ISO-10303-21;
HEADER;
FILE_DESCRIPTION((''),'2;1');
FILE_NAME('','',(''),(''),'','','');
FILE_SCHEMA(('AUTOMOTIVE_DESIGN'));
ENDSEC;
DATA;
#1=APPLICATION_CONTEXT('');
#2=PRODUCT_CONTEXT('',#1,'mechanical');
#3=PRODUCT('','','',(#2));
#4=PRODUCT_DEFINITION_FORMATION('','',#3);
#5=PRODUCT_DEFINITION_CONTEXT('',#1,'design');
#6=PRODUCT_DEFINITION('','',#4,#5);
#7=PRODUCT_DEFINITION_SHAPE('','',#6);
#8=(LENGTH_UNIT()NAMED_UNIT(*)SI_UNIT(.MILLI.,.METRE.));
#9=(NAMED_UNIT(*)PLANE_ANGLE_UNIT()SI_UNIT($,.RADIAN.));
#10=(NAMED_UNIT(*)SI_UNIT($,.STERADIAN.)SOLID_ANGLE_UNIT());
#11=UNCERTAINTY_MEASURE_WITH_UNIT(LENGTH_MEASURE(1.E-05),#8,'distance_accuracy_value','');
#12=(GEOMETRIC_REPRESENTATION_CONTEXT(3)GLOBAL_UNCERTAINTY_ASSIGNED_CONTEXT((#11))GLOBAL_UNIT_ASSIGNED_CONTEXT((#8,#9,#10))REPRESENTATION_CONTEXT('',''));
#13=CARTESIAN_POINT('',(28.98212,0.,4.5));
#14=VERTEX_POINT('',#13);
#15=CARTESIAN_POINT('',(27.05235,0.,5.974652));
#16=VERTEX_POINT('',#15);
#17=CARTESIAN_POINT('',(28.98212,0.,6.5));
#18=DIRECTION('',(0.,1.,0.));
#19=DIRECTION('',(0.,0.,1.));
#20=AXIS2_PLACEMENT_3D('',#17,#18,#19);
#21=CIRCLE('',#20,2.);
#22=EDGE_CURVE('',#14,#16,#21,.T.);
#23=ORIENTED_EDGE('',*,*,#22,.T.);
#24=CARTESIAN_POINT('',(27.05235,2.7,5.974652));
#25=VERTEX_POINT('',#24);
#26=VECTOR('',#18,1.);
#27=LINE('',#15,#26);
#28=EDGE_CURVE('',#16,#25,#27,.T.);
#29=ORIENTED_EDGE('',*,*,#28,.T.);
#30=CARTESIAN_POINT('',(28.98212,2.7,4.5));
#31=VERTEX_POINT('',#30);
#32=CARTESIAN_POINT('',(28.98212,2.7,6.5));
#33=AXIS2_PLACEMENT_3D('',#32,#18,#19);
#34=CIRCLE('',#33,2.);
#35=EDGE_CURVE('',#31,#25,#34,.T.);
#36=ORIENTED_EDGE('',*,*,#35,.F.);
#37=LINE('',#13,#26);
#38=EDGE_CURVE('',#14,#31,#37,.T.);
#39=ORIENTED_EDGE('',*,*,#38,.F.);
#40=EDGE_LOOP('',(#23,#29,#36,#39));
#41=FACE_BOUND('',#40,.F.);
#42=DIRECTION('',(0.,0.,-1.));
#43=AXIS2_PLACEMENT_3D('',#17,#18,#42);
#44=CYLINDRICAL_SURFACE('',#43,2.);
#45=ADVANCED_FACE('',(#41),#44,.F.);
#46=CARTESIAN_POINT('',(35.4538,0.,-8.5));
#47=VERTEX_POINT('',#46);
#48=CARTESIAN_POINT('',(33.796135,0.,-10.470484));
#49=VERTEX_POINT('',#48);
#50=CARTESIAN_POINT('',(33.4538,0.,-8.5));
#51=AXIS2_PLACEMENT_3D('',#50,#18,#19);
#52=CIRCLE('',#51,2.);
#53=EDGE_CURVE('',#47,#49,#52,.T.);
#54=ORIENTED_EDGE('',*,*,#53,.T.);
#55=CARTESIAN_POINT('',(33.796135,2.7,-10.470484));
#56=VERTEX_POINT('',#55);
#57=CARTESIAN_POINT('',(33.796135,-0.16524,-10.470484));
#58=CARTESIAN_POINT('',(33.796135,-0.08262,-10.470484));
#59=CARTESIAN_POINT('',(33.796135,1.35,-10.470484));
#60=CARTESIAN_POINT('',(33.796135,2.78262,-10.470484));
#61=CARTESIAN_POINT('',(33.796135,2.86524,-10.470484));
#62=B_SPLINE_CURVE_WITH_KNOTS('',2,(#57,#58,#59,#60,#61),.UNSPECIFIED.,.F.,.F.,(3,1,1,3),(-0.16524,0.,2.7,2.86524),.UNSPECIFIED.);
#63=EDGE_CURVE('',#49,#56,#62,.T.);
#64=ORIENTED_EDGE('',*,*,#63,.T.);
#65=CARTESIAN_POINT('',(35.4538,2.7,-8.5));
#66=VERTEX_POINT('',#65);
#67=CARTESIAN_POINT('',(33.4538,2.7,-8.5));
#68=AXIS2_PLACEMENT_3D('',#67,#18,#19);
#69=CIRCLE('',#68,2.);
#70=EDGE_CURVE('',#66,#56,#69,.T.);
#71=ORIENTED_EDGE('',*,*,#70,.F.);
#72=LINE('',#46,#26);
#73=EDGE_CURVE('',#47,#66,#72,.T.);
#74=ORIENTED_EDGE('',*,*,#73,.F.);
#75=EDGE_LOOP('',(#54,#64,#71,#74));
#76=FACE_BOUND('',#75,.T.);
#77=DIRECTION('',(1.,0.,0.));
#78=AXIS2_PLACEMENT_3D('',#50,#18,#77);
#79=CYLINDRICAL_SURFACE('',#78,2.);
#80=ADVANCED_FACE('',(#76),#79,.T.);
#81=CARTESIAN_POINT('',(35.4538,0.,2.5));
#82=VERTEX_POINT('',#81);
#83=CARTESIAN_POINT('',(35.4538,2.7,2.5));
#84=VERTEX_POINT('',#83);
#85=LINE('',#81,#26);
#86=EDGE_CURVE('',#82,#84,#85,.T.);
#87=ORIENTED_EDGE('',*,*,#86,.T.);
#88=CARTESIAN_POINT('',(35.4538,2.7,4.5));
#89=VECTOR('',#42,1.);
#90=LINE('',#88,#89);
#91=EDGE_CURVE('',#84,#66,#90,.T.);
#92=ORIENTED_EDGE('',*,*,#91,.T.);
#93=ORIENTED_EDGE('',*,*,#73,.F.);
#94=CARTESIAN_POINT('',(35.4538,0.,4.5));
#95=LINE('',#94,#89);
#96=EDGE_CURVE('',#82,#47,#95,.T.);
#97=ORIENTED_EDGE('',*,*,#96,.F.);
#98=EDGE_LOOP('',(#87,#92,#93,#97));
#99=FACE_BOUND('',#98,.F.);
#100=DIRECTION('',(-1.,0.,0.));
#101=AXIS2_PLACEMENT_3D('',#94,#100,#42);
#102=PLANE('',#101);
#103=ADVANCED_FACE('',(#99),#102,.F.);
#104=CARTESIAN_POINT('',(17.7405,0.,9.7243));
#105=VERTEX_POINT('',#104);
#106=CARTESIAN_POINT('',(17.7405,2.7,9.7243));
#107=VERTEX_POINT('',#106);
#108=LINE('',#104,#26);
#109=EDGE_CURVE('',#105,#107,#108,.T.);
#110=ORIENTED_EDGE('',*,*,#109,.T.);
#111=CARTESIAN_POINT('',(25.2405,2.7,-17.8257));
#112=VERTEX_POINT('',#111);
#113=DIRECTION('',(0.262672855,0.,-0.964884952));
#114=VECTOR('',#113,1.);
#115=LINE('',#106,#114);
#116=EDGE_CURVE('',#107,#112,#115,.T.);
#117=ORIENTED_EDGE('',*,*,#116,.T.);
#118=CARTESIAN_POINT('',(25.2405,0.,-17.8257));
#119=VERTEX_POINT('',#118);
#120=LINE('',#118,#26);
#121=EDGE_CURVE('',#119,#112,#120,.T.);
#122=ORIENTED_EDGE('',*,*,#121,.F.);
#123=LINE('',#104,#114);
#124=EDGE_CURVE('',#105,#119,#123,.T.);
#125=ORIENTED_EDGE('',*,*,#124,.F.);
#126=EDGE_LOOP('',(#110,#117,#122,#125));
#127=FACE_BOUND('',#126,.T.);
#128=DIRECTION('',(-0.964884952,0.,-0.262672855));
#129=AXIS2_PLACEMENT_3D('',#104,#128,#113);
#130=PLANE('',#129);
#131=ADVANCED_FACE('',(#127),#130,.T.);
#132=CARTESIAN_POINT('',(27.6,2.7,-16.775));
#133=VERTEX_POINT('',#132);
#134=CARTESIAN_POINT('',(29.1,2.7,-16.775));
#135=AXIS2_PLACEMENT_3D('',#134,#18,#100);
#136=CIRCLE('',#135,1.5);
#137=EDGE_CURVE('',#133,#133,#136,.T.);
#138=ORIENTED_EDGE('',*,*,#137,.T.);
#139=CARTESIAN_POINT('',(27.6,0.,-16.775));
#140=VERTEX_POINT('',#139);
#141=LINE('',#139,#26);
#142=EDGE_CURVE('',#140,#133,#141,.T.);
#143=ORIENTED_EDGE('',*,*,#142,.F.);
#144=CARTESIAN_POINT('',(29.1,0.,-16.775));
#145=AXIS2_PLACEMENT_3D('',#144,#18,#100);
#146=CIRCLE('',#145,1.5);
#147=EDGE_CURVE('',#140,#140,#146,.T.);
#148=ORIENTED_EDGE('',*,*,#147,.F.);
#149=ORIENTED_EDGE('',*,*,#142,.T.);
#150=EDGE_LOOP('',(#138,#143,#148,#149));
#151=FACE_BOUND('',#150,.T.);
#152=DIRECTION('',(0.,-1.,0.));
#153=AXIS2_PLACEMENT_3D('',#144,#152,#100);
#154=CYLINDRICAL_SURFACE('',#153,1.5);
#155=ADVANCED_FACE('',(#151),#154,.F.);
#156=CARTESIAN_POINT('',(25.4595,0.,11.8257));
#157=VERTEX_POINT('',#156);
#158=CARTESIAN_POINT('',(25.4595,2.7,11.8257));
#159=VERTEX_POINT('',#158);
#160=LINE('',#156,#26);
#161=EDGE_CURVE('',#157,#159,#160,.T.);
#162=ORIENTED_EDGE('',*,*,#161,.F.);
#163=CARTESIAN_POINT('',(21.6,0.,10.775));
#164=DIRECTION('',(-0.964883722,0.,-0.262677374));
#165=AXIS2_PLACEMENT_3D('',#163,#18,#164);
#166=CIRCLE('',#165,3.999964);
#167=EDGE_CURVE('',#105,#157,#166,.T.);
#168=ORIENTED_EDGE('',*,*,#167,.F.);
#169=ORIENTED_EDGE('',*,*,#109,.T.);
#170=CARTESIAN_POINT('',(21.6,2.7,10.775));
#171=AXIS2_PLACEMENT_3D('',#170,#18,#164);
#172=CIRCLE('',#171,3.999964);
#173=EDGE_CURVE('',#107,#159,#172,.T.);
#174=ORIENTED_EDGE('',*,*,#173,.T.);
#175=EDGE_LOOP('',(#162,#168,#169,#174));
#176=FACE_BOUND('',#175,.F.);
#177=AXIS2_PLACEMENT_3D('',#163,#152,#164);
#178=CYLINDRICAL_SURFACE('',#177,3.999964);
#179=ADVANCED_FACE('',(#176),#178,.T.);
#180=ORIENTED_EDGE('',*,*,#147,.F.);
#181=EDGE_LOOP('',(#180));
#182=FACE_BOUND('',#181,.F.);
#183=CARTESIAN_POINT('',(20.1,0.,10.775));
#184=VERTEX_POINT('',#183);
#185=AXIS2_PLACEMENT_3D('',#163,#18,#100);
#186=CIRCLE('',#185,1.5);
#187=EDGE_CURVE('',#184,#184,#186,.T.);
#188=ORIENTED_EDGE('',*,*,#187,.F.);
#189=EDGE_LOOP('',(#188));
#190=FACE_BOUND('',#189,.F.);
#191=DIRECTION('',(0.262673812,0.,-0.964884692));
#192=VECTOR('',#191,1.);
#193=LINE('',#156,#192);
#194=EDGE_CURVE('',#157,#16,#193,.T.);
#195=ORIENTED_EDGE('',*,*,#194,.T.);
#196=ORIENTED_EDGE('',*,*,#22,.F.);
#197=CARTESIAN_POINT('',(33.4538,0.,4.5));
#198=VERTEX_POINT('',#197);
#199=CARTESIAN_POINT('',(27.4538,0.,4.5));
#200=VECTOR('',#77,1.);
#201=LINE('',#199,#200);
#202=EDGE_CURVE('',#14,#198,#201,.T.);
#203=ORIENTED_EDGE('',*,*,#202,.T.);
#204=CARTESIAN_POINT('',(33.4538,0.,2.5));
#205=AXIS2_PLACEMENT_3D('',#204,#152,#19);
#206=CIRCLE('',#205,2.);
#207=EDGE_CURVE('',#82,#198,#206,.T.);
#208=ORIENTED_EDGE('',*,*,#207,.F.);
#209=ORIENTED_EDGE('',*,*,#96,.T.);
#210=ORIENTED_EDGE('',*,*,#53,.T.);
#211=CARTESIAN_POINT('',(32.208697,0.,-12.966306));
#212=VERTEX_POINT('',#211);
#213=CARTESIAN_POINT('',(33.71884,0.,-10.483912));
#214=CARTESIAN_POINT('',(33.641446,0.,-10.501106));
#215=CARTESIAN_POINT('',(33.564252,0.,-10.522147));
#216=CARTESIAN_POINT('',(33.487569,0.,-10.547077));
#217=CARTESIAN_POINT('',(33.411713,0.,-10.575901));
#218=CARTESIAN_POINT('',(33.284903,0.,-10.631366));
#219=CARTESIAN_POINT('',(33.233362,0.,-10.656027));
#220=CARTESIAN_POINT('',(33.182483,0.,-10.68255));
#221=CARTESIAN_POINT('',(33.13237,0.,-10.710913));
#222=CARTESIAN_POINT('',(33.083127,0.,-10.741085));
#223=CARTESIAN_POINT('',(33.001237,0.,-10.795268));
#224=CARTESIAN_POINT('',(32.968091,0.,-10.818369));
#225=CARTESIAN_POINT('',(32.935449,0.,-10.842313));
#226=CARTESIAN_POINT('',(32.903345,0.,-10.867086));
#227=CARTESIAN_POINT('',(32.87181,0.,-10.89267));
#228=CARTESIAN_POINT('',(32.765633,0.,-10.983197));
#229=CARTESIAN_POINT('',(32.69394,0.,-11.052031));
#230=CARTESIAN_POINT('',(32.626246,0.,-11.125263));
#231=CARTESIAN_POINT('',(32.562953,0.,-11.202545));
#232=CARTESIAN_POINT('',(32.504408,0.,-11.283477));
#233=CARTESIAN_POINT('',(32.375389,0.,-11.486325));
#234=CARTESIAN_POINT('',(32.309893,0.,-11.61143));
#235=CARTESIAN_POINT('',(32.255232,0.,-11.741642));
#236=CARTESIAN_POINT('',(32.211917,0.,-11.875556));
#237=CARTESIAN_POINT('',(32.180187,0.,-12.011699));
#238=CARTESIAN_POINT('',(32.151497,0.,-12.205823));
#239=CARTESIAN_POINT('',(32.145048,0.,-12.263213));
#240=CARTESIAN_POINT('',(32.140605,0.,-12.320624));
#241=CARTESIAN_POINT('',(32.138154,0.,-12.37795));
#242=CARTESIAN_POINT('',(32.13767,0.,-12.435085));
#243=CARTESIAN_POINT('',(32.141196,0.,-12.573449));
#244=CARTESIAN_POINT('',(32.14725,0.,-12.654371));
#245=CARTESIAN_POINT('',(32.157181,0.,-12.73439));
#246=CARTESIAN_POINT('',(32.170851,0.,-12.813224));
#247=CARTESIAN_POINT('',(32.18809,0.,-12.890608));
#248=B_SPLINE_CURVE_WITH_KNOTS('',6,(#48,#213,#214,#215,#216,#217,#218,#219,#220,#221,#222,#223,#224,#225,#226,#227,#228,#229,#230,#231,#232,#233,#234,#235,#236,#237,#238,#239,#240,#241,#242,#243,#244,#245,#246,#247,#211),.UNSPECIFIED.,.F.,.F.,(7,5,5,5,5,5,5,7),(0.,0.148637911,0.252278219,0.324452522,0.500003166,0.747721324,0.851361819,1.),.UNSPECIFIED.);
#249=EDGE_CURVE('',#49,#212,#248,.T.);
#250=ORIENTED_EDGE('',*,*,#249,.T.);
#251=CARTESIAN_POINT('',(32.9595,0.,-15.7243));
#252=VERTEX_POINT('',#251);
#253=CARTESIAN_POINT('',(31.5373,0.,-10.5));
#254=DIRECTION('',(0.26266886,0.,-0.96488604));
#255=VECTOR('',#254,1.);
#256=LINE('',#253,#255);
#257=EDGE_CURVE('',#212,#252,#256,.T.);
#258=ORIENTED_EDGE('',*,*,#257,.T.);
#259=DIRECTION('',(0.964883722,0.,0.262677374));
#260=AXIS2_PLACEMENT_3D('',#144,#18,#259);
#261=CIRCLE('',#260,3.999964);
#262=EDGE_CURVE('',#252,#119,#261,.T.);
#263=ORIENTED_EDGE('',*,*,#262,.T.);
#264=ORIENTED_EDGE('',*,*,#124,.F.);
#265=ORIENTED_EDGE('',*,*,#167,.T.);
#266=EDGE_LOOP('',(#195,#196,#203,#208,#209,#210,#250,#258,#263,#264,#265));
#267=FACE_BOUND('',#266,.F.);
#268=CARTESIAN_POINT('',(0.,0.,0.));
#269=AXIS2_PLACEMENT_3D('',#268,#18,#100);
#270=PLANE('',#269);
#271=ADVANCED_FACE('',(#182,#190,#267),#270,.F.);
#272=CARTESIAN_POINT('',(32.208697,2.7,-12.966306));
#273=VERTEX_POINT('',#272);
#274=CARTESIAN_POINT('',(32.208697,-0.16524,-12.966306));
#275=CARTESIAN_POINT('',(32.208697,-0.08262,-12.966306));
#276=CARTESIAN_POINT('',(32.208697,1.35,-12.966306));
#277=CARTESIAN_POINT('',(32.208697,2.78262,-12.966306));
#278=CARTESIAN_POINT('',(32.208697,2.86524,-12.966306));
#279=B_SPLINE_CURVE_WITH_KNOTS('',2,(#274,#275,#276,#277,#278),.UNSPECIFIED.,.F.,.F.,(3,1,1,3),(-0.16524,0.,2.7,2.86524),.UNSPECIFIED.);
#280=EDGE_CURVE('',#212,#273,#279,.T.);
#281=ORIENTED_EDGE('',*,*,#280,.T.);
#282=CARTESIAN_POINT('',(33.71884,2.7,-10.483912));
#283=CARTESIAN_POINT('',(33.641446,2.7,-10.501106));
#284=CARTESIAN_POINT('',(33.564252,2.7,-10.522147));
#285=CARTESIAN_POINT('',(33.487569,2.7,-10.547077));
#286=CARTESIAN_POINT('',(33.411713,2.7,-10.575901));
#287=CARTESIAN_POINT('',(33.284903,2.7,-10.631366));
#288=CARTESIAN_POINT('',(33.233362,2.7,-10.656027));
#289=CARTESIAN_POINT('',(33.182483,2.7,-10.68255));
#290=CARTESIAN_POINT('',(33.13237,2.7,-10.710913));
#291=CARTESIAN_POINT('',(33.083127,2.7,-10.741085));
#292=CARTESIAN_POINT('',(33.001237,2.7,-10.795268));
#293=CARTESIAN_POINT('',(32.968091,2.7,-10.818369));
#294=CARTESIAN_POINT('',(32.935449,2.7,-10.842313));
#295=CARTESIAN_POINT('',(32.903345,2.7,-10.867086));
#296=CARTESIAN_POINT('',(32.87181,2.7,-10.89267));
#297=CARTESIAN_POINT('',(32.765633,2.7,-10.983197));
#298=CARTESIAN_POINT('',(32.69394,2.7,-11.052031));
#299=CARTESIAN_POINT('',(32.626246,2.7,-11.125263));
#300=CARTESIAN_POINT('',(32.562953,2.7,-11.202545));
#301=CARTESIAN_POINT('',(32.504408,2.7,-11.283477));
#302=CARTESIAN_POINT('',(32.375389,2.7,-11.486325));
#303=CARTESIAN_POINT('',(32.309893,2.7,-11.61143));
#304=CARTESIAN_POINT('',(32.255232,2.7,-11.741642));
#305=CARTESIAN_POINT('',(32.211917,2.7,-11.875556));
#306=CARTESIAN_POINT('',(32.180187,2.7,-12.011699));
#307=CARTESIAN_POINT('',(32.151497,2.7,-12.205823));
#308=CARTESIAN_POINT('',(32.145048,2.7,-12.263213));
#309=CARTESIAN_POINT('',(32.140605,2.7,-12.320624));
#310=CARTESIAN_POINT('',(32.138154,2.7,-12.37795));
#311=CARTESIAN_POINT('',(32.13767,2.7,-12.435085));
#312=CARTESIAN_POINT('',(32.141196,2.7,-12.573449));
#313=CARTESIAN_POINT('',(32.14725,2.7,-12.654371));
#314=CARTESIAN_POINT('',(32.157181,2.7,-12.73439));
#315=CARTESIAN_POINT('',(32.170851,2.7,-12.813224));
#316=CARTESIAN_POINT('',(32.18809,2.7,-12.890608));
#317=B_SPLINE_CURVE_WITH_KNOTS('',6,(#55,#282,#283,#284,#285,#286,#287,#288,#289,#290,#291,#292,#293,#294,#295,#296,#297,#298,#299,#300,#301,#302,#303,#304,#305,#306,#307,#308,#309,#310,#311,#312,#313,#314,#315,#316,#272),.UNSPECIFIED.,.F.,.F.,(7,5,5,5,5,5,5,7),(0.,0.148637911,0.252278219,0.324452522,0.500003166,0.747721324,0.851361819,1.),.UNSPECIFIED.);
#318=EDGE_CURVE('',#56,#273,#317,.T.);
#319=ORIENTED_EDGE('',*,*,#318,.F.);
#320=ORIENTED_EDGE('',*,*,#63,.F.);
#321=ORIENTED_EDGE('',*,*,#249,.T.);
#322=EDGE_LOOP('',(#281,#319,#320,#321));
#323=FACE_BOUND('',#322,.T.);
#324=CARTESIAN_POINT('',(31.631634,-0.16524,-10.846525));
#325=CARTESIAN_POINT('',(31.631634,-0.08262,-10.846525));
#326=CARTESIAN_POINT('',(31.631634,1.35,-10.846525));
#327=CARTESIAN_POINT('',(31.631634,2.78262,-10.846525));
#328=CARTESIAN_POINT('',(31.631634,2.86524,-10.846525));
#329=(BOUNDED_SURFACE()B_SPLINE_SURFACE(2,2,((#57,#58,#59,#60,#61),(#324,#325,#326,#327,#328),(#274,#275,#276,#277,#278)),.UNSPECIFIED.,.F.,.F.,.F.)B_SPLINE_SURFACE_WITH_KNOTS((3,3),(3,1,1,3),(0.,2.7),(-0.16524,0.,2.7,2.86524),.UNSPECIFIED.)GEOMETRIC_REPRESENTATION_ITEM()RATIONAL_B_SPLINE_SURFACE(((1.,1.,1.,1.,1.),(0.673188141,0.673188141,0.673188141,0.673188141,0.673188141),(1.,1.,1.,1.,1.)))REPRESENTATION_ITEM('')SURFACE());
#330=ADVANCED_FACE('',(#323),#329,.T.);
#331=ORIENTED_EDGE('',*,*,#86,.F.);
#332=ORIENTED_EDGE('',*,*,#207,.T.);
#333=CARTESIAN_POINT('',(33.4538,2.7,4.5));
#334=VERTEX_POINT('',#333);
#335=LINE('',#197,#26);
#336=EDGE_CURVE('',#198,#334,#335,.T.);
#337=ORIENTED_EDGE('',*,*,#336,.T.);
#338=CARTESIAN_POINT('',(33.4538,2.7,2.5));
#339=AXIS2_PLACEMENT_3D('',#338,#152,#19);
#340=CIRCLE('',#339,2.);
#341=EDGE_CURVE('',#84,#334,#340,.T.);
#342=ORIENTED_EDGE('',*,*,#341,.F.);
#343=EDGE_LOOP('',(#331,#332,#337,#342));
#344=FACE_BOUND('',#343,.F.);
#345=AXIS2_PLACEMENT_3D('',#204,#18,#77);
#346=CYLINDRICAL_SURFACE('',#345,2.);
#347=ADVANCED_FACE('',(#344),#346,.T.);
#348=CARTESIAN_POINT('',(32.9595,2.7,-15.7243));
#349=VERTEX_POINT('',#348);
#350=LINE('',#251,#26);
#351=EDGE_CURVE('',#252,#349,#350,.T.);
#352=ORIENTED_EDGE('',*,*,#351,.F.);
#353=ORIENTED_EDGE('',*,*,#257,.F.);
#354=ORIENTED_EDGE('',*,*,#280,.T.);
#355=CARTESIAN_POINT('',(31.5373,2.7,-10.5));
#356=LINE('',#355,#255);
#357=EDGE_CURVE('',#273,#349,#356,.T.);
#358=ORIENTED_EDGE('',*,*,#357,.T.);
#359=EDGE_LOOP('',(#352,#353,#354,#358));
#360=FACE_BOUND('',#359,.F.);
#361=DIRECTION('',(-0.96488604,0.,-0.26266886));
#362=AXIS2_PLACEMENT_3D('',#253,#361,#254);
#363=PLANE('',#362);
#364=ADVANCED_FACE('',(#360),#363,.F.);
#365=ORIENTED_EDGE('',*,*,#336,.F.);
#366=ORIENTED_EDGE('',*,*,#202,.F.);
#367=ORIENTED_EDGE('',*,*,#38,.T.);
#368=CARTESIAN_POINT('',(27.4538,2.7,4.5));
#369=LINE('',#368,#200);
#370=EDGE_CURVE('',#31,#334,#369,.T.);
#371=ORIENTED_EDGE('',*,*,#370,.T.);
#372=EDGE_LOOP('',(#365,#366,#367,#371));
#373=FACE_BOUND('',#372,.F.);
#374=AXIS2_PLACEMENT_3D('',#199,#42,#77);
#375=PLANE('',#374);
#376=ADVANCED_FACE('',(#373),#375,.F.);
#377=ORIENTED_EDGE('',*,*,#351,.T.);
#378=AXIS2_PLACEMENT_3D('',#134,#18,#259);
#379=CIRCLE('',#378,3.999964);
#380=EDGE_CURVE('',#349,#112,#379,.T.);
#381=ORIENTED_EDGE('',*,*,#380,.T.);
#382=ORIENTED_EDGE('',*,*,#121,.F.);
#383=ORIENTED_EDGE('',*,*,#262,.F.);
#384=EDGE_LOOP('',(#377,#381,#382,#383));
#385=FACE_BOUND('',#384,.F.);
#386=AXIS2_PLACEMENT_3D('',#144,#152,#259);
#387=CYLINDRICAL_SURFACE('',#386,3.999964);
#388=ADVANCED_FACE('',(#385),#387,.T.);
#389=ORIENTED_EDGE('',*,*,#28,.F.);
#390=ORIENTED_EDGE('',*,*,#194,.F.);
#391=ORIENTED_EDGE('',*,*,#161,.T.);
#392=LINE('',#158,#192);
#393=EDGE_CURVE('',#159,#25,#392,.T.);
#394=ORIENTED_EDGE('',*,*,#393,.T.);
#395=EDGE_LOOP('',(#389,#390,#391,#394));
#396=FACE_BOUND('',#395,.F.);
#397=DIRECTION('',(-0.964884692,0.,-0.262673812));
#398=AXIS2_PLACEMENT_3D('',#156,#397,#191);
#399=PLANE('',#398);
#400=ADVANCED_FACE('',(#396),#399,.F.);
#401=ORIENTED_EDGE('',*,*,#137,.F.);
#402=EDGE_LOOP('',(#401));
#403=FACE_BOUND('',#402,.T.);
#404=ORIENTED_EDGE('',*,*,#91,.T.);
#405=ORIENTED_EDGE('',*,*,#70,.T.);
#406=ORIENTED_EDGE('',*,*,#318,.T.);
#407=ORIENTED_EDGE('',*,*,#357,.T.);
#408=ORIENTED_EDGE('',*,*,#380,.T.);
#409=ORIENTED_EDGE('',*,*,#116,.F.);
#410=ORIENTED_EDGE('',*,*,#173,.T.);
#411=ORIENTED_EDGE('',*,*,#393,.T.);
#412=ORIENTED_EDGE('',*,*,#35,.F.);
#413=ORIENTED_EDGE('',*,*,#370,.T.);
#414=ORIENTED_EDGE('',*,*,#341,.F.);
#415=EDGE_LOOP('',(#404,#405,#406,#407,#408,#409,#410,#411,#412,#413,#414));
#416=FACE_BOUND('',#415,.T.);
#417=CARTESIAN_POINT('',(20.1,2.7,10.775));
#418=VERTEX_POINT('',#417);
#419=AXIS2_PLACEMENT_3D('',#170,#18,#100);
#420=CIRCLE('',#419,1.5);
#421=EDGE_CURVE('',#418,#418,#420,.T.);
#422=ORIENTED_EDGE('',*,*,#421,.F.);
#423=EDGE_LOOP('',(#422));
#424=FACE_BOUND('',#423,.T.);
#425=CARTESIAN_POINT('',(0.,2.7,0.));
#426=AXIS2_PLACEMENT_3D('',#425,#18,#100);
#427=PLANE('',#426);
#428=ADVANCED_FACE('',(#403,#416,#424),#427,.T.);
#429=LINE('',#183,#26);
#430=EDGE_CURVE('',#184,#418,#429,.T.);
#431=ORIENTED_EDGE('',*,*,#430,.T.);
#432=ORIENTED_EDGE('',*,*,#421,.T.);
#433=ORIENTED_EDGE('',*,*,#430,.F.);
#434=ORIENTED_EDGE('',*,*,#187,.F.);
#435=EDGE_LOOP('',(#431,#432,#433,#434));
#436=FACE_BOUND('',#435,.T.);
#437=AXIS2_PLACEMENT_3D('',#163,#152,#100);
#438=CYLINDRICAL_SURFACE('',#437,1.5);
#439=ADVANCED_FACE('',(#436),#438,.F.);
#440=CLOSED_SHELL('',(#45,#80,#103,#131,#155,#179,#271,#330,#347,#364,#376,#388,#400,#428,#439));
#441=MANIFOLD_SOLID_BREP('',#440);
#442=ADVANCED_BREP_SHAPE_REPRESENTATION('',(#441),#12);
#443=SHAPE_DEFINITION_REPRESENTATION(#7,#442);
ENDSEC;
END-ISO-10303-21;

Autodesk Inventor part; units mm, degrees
ref_plane "YZ Plane" through (0, 0, 0) normal (1, 0, 0) x (0, 1, 0)
ref_plane "XZ Plane" through (0, 0, 0) normal (0, 1, 0) x (-1, 0, 0)
ref_plane "XY Plane" through (0, 0, 0) normal (0, 0, 1) x (1, 0, 0)
sketch "Sketch1" plane through (0, 0, 0) normal (0, 1, 0) x (-1, 0, 0)
  line L0 (0, -3) -> (-10, -3)
  circle A0 centre (-21.6, 10.775) radius 1.5
  line L1 (0, 35) -> (-45, 35)
  line L2 (0, 0) -> (0, 35)
  circle A1 centre (-29.1, -16.775) radius 1.5
  arc A2 (-17.7405, 9.7243) -> (-25.4595, 11.8257) centre (-21.6, 10.775) ccw
  arc A3 (-32.9595, -15.7243) -> (-25.2405, -17.8257) centre (-29.1, -16.775) ccw
  line L3 (-17.7405, 9.7243) -> (-25.2405, -17.8257)
  line L4 (-27.4538, 4.5) -> (-35.4538, 4.5)
  line L5 (-35.4538, 4.5) -> (-35.4538, -10.5)
  line L6 (-35.4538, -10.5) -> (-31.5373, -10.5)
  line L7 (-25.4595, 11.8257) -> (-27.4538, 4.5)
  line L8 (-31.5373, -10.5) -> (-32.9595, -15.7243)
  point P0 (-35.4538, -3)
  dimension "d0" = 10
  dimension "d1" = 3
  dimension "d2" = 13.775
  dimension "d3" = 3
  dimension "d7" = 45
  dimension "d8" = 35
  dimension "d9" = 23.4
  dimension "d10" = 3
  dimension "d11" = 13.775
  dimension "d12" = 15.9
  dimension "d13" = 2.5
  dimension "d14" = 2.5
  dimension "d15" = 15
  dimension "d16" = 8
extrude "Extrusion1" add sketch "Sketch1" along normal blind 2.7
fillet "Fillet1" radius 2 4 edges at (35.4538, 1.35, 4.5) (27.4538, 1.35, 4.5) (35.4538, 1.35, -10.5) (31.5373, 1.35, -10.5)
properties part number "SujecionServo"
